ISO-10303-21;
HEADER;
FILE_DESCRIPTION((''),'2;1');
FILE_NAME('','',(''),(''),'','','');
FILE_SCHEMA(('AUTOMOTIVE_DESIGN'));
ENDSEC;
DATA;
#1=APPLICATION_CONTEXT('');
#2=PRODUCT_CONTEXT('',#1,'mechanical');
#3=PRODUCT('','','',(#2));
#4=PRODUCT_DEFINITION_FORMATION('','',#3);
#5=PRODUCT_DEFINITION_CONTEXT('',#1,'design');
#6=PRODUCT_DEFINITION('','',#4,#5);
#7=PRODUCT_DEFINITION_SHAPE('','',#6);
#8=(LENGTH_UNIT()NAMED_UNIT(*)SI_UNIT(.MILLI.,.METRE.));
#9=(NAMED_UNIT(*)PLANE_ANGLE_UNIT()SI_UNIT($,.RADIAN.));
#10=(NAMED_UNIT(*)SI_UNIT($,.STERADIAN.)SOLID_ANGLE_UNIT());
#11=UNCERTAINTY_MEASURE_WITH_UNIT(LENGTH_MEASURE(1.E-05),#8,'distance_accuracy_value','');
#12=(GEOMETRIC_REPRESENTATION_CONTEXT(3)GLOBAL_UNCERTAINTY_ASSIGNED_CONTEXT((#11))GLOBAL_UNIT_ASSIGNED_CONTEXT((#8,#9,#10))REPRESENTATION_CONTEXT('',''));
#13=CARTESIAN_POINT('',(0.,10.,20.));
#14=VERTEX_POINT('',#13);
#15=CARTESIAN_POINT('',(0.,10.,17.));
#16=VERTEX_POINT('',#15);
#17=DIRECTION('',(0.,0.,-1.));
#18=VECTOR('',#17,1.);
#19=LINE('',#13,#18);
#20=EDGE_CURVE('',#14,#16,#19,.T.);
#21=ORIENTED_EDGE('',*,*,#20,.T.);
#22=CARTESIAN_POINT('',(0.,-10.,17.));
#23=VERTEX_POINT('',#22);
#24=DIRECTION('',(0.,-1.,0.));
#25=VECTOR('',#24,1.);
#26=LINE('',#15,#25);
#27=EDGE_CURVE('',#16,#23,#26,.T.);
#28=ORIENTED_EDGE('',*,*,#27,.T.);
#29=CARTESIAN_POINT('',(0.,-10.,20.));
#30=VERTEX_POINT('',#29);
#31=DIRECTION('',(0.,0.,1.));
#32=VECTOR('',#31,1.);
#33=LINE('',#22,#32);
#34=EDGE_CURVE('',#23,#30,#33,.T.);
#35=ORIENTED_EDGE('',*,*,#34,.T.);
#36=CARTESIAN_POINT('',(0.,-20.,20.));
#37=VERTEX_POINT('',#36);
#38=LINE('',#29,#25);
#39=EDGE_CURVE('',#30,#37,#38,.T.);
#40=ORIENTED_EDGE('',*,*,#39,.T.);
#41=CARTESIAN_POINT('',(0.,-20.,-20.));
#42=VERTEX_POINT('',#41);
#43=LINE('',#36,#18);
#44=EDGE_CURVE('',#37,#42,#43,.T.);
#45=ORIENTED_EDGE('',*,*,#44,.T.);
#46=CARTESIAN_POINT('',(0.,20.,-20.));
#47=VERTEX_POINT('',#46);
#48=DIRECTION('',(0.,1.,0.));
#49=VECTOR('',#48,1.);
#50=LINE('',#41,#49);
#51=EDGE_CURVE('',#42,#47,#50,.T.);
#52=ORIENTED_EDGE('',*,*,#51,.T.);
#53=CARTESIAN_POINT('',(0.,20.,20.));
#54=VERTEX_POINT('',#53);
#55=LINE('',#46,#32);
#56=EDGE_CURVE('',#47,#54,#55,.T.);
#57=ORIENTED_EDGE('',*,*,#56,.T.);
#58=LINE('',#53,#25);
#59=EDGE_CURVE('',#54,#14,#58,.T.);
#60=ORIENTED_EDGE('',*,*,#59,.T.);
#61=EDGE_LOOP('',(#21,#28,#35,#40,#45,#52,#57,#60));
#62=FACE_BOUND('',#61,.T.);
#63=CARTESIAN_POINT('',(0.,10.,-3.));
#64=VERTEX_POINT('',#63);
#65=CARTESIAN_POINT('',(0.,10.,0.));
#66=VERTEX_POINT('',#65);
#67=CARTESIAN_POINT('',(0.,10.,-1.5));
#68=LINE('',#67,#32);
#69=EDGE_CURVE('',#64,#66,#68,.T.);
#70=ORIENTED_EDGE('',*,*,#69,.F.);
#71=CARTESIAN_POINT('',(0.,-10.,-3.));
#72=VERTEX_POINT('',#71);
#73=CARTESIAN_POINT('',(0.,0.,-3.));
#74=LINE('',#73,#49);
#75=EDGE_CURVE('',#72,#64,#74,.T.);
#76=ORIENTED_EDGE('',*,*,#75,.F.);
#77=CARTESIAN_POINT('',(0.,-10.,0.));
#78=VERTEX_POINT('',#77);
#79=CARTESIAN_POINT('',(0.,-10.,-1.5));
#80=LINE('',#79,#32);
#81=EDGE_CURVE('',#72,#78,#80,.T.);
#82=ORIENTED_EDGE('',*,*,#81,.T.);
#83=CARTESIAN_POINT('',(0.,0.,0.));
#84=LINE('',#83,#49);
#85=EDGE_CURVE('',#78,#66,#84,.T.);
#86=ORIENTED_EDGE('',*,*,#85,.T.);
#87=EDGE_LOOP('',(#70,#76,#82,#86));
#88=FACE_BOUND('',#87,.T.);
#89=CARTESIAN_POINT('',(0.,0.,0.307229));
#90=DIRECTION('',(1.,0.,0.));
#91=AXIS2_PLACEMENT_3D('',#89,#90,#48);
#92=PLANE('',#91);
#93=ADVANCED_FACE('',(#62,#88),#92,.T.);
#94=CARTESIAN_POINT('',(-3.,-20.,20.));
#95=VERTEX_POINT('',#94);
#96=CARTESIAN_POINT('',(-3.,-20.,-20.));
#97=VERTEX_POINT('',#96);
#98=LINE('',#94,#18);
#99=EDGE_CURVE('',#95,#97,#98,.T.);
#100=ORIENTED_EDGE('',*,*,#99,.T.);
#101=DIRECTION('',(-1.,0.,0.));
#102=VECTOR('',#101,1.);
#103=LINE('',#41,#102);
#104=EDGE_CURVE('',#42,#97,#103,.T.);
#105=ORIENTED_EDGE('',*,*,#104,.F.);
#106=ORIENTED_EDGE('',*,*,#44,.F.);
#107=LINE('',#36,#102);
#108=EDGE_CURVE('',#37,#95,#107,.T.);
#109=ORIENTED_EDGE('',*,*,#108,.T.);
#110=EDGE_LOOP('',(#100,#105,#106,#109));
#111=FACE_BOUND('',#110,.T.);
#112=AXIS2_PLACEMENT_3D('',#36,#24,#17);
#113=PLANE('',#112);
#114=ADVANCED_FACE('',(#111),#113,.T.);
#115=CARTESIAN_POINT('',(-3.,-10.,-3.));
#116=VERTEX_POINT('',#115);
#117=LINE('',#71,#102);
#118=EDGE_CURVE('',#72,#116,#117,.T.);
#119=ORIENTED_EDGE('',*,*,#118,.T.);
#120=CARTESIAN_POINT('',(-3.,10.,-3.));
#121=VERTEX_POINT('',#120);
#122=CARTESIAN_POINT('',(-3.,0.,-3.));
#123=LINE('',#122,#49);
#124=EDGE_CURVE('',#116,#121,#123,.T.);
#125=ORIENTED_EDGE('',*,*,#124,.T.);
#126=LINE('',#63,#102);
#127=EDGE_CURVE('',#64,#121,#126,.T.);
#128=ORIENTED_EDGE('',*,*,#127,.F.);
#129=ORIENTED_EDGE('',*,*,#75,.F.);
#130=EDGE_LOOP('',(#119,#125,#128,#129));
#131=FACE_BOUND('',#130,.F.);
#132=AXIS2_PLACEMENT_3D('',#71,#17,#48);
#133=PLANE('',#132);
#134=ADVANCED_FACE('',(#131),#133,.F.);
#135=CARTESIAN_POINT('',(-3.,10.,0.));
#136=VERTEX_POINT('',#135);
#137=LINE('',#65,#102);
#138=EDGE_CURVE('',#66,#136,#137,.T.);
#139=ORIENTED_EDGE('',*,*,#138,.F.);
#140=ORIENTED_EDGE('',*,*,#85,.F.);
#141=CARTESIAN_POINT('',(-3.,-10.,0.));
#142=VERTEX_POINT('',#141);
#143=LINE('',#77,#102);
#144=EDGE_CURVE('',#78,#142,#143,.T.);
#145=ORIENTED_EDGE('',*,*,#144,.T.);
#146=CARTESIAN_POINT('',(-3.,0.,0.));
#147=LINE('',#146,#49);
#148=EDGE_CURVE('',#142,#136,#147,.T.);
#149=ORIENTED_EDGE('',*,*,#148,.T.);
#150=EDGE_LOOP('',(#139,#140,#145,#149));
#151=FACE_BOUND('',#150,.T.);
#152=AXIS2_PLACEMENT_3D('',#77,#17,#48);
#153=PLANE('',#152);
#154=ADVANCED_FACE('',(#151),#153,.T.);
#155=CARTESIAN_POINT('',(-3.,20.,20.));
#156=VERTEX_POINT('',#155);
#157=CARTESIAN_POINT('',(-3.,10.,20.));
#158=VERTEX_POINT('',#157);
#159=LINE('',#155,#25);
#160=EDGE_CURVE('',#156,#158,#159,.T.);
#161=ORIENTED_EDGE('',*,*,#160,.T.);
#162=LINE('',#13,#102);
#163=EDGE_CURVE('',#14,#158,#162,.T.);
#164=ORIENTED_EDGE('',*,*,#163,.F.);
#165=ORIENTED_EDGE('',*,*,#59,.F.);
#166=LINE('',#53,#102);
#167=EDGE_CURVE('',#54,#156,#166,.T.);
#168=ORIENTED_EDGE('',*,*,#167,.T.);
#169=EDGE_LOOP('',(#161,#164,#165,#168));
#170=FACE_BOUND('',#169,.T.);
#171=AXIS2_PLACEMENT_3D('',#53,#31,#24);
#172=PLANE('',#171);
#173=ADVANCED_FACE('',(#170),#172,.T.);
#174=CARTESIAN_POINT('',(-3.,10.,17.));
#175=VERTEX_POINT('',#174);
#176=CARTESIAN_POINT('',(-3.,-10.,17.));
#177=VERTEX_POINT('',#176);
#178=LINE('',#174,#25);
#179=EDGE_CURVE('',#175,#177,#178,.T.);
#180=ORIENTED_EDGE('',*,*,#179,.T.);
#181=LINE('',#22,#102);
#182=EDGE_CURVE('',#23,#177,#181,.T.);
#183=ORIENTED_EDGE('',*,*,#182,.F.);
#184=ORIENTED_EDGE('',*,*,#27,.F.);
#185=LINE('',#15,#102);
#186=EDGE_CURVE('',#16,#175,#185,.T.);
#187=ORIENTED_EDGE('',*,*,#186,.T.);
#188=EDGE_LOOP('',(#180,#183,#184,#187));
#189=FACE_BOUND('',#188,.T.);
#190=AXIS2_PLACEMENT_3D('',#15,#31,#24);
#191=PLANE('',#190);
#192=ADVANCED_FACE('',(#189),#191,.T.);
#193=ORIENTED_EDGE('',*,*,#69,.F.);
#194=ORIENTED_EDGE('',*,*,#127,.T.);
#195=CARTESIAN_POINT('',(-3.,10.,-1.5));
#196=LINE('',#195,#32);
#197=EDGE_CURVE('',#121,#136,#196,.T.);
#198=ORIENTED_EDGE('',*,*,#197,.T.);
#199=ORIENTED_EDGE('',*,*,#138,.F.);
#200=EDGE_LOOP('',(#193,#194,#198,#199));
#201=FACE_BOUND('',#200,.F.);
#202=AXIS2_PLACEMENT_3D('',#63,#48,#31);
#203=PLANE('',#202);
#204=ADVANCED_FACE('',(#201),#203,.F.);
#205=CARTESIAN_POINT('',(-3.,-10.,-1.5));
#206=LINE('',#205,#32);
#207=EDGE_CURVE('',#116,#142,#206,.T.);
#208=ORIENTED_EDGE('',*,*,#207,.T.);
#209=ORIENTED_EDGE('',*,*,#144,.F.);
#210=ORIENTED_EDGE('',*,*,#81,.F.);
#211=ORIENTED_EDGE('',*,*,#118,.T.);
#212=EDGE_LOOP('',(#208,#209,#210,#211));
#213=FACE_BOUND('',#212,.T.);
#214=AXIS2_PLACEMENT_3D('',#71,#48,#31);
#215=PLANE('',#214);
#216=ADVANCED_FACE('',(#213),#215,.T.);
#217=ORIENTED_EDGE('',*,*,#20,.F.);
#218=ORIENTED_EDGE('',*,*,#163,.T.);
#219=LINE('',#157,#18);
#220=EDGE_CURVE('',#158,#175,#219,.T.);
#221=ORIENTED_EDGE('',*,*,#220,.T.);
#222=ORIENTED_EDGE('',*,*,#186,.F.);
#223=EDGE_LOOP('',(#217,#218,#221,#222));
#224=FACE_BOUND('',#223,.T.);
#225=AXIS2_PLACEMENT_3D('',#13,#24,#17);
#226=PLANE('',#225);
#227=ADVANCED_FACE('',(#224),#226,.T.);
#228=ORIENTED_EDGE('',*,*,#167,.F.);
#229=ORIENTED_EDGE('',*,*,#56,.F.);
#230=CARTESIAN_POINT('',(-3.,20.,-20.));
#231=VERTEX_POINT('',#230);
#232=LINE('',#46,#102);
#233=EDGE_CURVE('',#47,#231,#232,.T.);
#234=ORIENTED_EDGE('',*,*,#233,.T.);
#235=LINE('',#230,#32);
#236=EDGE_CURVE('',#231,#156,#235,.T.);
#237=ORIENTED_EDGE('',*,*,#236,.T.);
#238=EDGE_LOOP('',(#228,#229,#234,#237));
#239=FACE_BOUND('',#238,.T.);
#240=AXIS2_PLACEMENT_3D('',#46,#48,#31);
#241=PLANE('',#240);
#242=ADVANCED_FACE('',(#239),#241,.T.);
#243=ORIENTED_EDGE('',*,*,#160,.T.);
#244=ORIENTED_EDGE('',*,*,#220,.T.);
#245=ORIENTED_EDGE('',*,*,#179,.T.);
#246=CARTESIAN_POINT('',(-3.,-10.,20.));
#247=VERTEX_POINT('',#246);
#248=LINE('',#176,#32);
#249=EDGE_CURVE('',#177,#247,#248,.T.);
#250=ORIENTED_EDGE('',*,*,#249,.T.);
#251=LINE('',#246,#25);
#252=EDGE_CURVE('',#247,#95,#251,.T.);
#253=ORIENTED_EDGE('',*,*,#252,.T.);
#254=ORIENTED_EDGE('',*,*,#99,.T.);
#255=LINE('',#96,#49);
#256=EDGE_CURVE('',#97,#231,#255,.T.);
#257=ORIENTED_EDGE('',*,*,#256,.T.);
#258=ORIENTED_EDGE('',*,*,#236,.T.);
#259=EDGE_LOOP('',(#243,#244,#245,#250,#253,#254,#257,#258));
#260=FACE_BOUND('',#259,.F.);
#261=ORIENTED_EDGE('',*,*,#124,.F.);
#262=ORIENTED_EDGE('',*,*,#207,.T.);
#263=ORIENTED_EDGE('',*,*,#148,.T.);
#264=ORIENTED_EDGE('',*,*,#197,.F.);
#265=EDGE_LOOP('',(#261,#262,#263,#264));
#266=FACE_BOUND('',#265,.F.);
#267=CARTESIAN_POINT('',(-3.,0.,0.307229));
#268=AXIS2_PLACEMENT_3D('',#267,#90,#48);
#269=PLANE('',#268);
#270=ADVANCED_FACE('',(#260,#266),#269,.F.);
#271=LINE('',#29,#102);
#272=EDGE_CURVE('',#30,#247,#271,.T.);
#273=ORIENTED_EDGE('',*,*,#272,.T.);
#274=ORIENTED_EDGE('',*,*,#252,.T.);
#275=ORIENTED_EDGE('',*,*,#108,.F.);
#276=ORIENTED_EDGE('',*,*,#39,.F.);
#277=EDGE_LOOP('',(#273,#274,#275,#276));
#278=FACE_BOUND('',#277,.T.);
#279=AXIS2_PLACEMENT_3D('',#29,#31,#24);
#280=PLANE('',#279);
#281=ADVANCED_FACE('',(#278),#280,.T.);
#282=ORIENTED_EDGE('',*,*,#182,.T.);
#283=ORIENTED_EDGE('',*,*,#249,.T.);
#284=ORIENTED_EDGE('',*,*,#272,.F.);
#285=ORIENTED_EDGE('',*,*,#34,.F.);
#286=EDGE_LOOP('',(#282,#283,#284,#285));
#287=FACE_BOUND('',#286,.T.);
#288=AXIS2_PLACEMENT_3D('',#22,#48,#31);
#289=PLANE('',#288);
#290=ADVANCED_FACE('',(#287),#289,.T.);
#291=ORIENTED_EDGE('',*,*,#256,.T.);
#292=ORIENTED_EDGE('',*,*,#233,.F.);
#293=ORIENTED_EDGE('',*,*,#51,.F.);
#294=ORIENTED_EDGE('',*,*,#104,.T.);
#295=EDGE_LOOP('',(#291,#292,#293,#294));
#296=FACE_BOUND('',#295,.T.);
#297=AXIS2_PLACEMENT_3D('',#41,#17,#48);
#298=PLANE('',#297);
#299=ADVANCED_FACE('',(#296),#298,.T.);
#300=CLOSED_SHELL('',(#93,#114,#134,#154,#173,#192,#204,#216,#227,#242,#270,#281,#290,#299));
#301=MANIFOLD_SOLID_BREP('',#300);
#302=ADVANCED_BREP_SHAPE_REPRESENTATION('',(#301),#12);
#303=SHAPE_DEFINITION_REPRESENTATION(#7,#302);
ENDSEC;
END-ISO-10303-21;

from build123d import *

# Parameters (mm, degrees)
F1_W     = 20
F1_H     = 3
F2_DEPTH = 3


with BuildPart() as f2:
    # F1 (on Right) → F2 (new body)
    with BuildSketch(Plane.YZ):
        Polygon((-20, -20), (20, -20), (20, 20), (10, 20), (10, 17), (-10, 17), (-10, 20), (-20, 20), align=None)
        with Locations((0, -1.5)):
            Rectangle(F1_W, F1_H, mode=Mode.SUBTRACT)
    extrude(amount=-F2_DEPTH)


solid = f2.part
